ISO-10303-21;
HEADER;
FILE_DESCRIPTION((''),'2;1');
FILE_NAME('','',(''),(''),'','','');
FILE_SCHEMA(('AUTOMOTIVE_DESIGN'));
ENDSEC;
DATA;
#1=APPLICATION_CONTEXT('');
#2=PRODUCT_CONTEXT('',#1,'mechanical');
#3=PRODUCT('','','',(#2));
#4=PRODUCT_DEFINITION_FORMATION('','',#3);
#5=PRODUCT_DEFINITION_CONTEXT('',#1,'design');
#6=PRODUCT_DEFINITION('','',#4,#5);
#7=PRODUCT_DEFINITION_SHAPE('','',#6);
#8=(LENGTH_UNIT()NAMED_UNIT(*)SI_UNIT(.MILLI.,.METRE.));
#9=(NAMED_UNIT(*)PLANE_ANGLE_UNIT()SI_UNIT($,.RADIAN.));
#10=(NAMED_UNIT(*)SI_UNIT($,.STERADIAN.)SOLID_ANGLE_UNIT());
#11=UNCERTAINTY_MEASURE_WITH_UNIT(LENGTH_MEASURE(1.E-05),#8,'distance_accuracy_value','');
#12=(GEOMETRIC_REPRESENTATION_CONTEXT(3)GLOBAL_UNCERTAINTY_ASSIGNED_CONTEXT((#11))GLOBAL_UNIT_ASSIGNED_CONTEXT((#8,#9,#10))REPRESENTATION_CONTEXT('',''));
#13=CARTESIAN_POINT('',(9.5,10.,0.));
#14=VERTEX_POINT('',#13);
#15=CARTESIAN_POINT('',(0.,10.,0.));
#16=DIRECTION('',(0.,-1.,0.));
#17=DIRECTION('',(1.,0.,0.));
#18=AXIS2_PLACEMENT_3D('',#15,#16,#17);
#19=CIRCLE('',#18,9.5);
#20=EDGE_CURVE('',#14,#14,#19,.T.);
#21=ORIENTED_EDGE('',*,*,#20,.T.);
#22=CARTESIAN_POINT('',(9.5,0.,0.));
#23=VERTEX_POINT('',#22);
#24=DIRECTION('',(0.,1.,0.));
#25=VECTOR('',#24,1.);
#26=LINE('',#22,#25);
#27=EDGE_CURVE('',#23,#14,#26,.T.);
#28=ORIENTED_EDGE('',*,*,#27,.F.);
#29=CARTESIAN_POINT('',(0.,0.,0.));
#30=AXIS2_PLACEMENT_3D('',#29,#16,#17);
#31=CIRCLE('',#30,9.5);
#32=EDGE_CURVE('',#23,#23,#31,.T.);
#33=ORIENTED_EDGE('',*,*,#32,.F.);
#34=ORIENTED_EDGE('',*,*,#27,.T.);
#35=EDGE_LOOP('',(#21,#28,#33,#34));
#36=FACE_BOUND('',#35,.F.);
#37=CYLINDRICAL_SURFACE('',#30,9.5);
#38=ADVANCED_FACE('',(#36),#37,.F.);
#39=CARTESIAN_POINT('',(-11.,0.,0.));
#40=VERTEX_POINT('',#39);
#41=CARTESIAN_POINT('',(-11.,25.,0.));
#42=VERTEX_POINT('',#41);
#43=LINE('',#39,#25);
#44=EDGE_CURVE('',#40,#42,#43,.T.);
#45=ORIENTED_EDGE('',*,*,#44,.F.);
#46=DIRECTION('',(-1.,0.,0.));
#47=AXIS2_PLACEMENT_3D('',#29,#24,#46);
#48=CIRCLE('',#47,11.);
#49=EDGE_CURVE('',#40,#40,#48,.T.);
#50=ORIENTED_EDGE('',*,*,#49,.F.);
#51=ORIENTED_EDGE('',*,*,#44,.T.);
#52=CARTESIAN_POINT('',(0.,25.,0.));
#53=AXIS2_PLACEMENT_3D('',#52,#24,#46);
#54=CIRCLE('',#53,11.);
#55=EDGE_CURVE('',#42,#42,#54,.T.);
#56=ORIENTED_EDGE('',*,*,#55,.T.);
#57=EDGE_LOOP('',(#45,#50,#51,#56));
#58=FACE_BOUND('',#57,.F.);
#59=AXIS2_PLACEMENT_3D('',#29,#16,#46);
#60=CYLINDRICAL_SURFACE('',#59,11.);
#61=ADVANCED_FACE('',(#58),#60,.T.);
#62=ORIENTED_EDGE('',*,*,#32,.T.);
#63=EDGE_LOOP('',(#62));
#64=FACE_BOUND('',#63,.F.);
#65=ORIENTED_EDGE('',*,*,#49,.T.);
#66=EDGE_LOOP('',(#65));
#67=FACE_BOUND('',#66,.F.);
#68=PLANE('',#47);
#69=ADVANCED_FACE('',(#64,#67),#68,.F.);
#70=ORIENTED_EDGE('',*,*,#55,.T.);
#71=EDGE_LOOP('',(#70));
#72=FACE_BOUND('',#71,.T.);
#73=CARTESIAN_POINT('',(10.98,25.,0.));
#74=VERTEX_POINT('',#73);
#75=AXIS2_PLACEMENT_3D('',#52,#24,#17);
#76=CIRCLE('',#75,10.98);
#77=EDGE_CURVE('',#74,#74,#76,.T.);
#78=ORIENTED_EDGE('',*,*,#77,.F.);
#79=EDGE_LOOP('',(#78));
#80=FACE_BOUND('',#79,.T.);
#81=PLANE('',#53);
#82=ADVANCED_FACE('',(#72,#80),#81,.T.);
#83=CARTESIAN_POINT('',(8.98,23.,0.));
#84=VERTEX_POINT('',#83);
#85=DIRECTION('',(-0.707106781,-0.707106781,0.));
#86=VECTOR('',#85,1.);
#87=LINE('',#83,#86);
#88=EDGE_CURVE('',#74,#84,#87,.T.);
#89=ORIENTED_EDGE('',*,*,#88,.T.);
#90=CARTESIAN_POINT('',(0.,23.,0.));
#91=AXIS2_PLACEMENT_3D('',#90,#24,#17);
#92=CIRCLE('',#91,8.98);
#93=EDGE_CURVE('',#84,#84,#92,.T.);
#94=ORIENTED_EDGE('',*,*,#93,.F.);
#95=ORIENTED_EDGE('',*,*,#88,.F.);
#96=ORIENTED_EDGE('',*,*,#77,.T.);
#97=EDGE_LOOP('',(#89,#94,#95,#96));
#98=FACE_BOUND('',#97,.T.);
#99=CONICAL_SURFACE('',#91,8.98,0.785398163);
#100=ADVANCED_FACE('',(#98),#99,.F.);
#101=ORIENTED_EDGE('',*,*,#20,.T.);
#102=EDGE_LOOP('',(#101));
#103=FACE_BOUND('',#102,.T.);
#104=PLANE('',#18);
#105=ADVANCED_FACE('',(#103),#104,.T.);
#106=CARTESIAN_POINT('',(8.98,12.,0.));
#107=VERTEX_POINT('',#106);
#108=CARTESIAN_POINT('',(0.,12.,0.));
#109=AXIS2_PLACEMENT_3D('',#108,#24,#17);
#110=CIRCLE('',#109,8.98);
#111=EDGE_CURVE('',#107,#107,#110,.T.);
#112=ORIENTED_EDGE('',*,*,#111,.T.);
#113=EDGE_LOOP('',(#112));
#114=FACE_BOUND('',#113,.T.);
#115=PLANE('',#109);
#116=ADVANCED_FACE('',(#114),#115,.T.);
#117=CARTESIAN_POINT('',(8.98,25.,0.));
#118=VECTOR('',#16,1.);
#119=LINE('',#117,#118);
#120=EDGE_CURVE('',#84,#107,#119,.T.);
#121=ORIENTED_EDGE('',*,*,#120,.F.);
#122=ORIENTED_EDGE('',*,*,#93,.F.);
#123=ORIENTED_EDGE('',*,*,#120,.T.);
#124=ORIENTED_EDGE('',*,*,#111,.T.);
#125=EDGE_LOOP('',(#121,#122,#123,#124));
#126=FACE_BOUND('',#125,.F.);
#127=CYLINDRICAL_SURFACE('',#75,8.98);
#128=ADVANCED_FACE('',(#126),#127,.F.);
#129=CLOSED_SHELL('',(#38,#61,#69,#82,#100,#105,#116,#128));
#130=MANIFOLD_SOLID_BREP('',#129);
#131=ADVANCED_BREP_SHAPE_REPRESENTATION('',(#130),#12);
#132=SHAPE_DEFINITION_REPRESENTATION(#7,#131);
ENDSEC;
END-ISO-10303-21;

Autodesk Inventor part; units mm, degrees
ref_plane "YZ Plane" through (0, 0, 0) normal (1, 0, 0) x (0, 1, 0)
ref_plane "XZ Plane" through (0, 0, 0) normal (0, 1, 0) x (-1, 0, 0)
ref_plane "XY Plane" through (0, 0, 0) normal (0, 0, 1) x (1, 0, 0)
sketch "Sketch1" plane through (0, 0, 0) normal (0, 1, 0) x (-1, 0, 0)
  circle A0 centre (0, 0) radius 11
  dimension "d0" = 22
extrude "Extrusion1" add sketch "Sketch1" along normal blind 25
sketch "Sketch2" plane through (0, 0, 0) normal (0, -1, 0) x (1, 0, 0)
  circle A0 centre (0, 0) radius 9.5
  dimension "d3" = 19
extrude "Extrusion2" cut sketch "Sketch2" against normal blind 10
sketch "Sketch3" plane through (0, 25, 0) normal (0, 1, 0) x (1, 0, 0)
  circle A0 centre (0, 0) radius 8.98
  dimension "d6" = 17.96
extrude "Extrusion3" cut sketch "Sketch3" against normal blind 13
chamfer "Chamfer1" distance 2 angle 45 1 edges at (-8.98, 25, 0) measured on face at (-10.1331, 25, -1.5938)
properties part number "Cup"
